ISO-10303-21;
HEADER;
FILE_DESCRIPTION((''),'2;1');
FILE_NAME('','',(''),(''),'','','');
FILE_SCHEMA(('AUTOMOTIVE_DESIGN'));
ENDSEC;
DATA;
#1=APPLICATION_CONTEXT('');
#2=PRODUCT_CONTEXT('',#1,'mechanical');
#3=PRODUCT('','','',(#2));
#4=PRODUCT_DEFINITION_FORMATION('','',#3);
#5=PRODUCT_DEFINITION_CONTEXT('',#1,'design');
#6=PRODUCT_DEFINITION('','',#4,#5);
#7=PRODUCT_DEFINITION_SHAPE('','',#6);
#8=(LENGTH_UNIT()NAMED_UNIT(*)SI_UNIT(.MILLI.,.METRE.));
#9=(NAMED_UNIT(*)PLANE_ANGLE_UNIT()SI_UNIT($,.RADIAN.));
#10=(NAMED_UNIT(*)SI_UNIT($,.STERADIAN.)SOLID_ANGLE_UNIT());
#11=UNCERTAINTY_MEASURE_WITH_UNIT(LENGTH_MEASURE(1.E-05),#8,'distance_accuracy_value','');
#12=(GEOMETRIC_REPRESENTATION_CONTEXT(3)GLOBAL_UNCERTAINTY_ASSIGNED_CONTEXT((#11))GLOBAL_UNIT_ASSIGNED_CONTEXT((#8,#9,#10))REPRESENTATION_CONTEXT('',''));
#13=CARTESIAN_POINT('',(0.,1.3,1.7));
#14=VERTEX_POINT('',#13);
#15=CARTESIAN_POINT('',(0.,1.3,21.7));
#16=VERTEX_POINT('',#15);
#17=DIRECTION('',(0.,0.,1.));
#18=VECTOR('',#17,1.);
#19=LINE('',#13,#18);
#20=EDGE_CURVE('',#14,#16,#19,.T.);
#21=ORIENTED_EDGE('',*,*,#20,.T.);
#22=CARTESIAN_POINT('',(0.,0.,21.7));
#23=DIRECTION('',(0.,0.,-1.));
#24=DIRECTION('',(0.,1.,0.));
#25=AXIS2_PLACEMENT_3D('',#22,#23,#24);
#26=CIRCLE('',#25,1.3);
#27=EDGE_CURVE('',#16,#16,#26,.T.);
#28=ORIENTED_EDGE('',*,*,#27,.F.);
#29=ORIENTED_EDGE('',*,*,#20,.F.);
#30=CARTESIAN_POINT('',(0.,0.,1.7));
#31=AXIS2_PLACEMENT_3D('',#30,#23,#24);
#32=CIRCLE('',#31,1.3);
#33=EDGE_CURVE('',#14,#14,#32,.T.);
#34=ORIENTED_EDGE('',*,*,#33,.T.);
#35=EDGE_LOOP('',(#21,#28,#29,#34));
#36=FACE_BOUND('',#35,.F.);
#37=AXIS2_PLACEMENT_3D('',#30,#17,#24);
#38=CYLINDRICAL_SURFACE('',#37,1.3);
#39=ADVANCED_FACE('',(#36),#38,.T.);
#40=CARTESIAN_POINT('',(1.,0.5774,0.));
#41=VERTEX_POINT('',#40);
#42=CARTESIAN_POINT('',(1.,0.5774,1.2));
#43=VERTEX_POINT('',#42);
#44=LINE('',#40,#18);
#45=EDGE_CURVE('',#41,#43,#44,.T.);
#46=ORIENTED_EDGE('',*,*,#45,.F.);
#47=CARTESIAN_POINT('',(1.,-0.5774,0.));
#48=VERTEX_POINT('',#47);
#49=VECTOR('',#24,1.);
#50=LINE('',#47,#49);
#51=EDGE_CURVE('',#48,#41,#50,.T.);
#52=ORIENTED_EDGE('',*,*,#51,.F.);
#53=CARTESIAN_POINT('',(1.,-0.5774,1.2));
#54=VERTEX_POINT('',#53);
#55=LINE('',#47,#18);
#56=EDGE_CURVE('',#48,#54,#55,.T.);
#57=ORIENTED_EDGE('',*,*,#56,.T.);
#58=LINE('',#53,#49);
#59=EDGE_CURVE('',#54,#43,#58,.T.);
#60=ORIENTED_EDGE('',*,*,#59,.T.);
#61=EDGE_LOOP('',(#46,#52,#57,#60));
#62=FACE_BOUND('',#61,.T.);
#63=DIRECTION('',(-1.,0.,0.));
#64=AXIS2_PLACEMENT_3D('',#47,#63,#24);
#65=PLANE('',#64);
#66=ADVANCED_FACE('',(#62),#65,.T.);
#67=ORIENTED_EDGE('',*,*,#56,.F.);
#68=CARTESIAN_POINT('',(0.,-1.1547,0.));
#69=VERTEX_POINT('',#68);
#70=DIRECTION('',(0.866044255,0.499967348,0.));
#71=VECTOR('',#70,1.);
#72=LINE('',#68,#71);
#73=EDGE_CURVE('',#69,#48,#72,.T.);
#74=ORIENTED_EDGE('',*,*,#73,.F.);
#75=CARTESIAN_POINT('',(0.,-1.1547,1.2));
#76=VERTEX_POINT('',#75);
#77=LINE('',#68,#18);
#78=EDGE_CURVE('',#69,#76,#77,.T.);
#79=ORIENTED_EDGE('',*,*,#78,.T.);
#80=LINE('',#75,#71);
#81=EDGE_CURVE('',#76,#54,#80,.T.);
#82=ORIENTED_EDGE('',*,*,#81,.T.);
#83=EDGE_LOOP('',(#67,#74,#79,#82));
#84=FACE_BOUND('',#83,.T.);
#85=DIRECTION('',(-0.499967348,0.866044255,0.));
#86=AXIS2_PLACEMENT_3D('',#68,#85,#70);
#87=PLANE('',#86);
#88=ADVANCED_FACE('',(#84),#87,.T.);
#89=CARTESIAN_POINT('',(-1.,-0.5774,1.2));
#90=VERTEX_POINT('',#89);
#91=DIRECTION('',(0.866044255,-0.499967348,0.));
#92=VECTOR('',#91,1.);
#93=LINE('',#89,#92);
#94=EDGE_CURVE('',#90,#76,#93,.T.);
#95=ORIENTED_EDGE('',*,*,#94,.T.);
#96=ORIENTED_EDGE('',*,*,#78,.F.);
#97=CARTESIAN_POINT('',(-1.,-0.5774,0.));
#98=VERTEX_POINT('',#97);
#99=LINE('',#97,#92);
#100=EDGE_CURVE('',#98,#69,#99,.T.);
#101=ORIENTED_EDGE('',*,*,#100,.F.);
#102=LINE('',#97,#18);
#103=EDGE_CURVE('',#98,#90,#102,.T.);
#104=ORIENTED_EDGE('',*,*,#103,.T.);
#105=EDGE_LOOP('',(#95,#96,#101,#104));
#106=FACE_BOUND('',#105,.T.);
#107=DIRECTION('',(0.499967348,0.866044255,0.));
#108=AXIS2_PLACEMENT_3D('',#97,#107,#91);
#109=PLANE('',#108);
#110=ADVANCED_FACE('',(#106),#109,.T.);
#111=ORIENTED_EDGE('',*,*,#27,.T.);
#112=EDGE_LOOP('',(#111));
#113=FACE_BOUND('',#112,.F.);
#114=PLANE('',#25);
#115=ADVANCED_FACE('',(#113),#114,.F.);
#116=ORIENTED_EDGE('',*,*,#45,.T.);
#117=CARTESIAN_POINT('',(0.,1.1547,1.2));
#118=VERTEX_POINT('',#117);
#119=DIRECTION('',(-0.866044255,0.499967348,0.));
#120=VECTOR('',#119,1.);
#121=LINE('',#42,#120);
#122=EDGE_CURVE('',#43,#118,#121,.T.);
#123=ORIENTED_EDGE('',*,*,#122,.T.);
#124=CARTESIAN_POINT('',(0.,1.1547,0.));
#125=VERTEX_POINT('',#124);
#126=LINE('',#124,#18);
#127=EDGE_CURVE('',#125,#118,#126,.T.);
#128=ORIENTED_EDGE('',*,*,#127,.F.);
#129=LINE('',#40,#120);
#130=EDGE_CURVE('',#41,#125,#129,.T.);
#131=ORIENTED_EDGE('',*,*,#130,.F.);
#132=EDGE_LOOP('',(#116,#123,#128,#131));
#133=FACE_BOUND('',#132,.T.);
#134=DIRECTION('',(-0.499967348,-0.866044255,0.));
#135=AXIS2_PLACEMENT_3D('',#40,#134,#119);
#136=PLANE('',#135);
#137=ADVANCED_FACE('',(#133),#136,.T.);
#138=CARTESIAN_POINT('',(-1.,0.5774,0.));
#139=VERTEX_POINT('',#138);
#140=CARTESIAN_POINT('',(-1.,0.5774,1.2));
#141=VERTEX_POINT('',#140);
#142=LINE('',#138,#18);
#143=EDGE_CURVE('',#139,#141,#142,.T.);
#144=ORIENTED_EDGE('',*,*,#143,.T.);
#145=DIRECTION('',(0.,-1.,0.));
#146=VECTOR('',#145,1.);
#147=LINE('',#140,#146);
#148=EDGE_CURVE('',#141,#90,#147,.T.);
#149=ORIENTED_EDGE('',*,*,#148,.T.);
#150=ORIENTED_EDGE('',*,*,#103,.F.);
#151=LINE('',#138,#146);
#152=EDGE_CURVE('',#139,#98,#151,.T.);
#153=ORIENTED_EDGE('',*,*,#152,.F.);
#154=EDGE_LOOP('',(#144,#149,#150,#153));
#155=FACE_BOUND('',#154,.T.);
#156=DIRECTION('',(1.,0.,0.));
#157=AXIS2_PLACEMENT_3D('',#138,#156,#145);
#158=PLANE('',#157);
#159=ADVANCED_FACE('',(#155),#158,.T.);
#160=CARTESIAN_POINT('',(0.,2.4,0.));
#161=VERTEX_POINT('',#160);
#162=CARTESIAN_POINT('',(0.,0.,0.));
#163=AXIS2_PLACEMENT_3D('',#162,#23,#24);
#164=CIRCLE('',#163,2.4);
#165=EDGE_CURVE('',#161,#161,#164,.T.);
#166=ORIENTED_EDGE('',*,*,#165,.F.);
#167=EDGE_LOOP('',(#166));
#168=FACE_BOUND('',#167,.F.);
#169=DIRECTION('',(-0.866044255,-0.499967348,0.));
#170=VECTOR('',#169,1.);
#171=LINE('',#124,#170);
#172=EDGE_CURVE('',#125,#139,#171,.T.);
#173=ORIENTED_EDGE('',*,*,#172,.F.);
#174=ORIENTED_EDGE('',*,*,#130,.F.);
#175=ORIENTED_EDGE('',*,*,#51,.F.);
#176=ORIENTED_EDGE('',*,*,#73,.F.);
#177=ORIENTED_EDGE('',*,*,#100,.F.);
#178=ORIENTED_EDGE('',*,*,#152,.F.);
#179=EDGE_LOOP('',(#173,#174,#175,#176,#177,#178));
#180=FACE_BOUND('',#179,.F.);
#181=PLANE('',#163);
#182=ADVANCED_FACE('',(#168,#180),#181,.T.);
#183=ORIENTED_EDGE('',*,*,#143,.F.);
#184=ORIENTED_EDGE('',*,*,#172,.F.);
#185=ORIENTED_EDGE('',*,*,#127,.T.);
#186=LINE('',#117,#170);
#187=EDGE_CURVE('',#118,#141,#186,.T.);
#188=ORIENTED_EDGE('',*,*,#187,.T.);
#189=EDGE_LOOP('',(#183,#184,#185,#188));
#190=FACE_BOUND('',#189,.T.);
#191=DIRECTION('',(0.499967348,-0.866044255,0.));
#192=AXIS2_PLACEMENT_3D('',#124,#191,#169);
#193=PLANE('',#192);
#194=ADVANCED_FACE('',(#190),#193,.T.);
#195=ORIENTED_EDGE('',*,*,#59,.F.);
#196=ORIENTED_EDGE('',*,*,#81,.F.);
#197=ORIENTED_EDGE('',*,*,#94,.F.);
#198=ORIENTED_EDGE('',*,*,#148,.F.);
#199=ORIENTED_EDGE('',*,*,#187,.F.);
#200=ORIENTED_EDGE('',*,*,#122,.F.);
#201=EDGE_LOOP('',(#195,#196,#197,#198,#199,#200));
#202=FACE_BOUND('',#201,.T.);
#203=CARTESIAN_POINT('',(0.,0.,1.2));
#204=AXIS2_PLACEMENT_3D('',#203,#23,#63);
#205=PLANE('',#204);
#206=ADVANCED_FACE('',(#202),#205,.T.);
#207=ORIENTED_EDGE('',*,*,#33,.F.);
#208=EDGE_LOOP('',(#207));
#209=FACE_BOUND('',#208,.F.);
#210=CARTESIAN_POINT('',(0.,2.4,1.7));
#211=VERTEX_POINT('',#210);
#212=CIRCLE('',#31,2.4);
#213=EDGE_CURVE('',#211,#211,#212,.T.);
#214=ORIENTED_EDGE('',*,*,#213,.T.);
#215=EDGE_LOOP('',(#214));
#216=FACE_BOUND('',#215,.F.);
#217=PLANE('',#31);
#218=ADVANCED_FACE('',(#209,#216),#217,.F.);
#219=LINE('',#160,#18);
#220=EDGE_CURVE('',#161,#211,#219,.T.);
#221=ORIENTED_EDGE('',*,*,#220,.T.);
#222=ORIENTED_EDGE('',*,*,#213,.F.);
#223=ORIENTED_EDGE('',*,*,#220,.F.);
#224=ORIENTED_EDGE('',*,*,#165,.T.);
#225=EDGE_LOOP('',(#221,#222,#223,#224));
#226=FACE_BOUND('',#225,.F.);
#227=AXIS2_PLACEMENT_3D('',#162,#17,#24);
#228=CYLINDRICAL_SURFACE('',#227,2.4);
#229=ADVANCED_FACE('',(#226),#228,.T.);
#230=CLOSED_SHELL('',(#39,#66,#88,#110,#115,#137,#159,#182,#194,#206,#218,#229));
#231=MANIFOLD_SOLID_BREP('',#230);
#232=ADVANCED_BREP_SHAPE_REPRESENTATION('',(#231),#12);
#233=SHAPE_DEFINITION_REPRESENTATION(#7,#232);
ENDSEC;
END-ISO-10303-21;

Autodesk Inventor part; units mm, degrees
ref_plane "YZ Plane" through (0, 0, 0) normal (1, 0, 0) x (0, 1, 0)
ref_plane "XZ Plane" through (0, 0, 0) normal (0, 1, 0) x (-1, 0, 0)
ref_plane "XY Plane" through (0, 0, 0) normal (0, 0, 1) x (1, 0, 0)
sketch "スケッチ1" plane through (0, 0, 0) normal (1, 0, 0) x (0, 1, 0)
  line L0 (0, 21.7) -> (0, 0)
  line L1 (0, 0) -> (2.4, 0)
  line L2 (2.4, 0) -> (2.4, 1.7)
  line L3 (2.4, 1.7) -> (1.3, 1.7)
  line L4 (1.3, 1.7) -> (1.3, 21.7)
  line L5 (1.3, 21.7) -> (0, 21.7)
  dimension "d2" = 1.7
  dimension "d10" = 20
  dimension "d11" = 2.6
  dimension "d12" = 4.8
revolve "回転1" add sketch "スケッチ1" angle 360 about axis through (0, 0, 21.7) along (0, 0, -1)
thread "ねじ1" size "M2.6x0.45" class "6g" standard "ANSI Metric M Profile" full length
sketch "スケッチ2" plane through (0, 0, 0) normal (0, 0, -1) x (-1, 0, 0)
  line L0 (0, 1.1547) -> (1, 0.5774)
  line L1 (1, 0.5774) -> (1, -0.5774)
  line L2 (1, -0.5774) -> (0, -1.1547)
  line L3 (0, -1.1547) -> (-1, -0.5774)
  line L4 (-1, -0.5774) -> (-1, 0.5774)
  line L5 (-1, 0.5774) -> (0, 1.1547)
  circle A0 centre (0, 0) radius 2.4 projected
  line L6 (0, 2.4) -> (0, -2.4) construction
  dimension "d7" = 2
extrude "押し出し1" cut sketch "スケッチ2" against normal blind 1.2 contours L0 L1 L2 L3 L4 L5
properties part number "LowHead_M2_6-20" material "チタン"
